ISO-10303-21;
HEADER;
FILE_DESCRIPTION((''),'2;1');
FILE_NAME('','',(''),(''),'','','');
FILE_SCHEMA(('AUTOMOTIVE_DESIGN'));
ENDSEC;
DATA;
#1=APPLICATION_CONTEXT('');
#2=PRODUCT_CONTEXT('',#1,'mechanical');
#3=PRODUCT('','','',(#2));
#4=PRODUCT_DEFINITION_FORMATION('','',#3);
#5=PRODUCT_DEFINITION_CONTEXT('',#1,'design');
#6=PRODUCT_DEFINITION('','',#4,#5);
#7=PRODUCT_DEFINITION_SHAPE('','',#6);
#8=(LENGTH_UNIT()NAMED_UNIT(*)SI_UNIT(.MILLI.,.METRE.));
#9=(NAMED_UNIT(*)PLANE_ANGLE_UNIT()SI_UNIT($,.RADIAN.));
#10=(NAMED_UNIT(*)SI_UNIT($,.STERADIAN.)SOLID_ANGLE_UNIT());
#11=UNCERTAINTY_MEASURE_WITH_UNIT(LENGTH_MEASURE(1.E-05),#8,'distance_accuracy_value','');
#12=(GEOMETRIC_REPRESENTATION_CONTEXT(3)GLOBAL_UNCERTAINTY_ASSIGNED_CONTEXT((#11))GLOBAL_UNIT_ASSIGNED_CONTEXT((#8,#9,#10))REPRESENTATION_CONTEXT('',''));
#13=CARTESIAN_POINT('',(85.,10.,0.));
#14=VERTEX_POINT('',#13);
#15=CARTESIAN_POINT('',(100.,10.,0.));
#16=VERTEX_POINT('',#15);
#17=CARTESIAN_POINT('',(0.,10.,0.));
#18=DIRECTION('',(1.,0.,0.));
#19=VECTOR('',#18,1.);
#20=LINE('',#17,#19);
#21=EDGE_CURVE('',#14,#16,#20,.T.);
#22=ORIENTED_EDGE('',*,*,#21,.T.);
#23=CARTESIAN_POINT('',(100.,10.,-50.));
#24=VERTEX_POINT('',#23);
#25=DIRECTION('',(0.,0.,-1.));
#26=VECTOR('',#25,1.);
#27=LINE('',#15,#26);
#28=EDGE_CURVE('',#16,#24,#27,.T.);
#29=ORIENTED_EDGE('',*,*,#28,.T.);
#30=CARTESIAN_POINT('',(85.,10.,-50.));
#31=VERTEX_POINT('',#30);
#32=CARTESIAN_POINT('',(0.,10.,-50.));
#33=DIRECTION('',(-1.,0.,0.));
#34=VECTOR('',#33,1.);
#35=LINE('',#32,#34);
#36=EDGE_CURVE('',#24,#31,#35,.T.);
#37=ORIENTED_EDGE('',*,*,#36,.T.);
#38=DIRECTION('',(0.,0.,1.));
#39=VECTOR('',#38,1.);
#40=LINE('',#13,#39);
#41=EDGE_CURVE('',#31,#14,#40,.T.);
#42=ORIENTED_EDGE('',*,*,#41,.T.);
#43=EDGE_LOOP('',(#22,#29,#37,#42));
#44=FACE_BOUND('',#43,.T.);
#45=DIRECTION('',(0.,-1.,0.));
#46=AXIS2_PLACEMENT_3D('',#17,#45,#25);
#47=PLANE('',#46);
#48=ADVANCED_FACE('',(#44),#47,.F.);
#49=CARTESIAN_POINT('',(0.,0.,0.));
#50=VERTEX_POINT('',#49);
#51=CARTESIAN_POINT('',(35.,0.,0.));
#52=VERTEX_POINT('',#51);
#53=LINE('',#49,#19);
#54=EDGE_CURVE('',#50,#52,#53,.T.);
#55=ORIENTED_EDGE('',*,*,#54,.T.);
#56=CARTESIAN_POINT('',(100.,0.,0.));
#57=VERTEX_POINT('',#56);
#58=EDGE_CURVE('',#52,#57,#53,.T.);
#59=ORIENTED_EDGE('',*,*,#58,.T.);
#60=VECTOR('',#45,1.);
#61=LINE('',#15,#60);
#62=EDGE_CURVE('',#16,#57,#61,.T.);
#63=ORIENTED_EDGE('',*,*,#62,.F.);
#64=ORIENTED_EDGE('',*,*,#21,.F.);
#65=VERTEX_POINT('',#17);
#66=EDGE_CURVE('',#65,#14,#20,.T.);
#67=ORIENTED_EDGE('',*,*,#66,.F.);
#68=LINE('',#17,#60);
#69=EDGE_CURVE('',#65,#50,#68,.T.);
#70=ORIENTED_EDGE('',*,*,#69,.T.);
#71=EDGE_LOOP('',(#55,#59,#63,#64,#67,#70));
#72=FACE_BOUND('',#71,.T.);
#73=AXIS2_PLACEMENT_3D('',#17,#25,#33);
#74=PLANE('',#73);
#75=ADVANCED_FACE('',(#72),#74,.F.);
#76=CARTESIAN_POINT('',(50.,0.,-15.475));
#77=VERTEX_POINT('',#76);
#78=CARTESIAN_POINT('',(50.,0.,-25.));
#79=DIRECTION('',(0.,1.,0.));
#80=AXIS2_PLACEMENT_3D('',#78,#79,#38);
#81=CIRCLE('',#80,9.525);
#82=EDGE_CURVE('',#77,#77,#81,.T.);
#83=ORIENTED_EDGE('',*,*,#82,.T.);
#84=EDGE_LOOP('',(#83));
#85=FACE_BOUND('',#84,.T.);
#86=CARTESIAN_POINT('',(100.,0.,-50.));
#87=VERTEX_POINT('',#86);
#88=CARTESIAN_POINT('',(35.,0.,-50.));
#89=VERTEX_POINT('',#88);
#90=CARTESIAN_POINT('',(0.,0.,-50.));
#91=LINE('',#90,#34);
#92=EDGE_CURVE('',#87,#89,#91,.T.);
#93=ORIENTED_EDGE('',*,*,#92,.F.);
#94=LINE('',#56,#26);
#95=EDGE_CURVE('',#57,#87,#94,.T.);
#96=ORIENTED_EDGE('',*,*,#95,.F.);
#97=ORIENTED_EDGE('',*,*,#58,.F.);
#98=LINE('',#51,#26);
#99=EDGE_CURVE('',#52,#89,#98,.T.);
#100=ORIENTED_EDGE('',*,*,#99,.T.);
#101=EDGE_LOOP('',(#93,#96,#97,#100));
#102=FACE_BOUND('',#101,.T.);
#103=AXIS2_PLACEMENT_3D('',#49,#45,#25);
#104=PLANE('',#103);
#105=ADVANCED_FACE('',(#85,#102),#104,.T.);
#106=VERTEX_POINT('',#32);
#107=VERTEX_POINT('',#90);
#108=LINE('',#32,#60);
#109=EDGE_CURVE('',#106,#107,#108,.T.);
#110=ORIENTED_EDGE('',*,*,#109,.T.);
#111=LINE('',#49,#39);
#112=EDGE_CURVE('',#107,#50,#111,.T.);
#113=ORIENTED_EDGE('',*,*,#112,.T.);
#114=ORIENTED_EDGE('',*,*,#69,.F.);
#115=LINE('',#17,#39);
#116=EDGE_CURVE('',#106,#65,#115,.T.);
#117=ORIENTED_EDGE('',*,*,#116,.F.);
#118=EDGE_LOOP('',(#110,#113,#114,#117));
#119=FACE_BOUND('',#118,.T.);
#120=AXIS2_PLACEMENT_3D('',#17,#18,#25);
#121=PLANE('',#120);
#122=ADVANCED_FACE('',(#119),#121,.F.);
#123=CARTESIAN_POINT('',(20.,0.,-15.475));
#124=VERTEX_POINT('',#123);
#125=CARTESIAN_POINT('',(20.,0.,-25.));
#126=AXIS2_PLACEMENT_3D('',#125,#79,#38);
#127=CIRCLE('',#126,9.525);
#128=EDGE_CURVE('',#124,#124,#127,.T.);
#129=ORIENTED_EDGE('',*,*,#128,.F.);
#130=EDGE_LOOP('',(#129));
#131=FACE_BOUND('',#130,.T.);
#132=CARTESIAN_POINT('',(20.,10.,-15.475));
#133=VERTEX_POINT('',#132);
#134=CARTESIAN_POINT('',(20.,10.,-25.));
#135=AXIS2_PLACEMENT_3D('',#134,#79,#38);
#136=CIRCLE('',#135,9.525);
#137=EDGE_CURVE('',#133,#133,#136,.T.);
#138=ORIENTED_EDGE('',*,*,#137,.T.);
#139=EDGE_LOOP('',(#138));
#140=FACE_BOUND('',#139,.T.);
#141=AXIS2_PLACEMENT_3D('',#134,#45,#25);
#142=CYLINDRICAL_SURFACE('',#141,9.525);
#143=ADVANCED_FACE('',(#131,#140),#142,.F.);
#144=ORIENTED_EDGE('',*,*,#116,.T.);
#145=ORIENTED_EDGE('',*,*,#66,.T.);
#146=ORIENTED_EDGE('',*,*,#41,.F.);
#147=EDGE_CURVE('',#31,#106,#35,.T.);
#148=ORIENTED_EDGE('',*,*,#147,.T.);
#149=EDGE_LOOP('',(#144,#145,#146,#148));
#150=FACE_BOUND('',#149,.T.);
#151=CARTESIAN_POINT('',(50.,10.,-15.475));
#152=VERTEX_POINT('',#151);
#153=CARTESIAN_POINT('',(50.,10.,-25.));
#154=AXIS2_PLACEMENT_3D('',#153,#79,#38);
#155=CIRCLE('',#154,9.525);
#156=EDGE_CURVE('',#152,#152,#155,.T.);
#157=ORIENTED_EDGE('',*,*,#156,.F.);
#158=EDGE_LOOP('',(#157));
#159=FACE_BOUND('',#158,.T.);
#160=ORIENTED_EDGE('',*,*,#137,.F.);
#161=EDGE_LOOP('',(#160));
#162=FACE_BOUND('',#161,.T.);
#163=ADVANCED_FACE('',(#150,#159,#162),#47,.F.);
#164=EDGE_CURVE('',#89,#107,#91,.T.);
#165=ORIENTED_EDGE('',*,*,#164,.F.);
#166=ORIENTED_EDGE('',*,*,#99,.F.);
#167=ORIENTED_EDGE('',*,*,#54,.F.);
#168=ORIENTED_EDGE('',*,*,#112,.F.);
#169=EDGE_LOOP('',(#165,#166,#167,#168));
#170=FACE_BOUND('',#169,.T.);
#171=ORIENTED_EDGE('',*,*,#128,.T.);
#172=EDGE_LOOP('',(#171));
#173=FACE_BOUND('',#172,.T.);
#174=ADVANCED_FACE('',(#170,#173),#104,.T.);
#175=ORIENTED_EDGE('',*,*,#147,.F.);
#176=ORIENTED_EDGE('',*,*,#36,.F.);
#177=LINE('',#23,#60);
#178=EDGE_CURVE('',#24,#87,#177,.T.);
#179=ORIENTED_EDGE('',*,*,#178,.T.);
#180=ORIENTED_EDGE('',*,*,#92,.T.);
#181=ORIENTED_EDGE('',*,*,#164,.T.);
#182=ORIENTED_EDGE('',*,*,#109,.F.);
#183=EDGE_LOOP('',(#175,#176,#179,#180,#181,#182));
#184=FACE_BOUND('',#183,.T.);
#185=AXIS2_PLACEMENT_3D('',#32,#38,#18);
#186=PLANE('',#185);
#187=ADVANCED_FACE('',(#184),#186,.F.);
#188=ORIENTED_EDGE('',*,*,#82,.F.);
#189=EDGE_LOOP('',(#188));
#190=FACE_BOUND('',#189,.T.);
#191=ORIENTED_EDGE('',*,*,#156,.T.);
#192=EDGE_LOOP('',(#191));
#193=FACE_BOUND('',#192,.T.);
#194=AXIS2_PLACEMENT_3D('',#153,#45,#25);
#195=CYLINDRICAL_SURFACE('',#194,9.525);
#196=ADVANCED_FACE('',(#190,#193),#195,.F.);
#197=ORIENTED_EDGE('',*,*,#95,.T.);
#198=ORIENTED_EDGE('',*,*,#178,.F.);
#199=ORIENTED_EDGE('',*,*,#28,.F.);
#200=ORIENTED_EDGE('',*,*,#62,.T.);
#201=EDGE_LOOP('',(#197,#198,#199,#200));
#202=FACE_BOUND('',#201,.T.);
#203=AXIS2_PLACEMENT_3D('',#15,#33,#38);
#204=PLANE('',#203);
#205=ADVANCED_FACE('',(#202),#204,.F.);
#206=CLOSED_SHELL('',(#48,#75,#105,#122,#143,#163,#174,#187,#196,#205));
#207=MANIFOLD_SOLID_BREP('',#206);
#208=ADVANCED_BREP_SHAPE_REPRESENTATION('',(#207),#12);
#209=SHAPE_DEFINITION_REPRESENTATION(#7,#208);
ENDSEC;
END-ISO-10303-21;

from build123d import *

# Parameters (mm, degrees)
SKETCH1_W           = 100
SKETCH1_H           = 50
SKETCH1_R           = 9.525
BOSS_EXTRUDE1_DEPTH = 10


with BuildPart() as part:
    # Sketch1 → Boss-Extrude1 (new body)
    with BuildSketch(Plane(origin=(0, 0, 0), x_dir=(1, 0, 0), z_dir=(0, 1, 0))):
        with Locations((50, 25)):
            Rectangle(SKETCH1_W, SKETCH1_H)
        with Locations(Location((20, 25, 0), (0, 0, 270))):
            Circle(SKETCH1_R, mode=Mode.SUBTRACT)
        with Locations(Location((50, 25, 0), (0, 0, 270))):
            Circle(SKETCH1_R, mode=Mode.SUBTRACT)
    extrude(amount=BOSS_EXTRUDE1_DEPTH)


solid = part.part
